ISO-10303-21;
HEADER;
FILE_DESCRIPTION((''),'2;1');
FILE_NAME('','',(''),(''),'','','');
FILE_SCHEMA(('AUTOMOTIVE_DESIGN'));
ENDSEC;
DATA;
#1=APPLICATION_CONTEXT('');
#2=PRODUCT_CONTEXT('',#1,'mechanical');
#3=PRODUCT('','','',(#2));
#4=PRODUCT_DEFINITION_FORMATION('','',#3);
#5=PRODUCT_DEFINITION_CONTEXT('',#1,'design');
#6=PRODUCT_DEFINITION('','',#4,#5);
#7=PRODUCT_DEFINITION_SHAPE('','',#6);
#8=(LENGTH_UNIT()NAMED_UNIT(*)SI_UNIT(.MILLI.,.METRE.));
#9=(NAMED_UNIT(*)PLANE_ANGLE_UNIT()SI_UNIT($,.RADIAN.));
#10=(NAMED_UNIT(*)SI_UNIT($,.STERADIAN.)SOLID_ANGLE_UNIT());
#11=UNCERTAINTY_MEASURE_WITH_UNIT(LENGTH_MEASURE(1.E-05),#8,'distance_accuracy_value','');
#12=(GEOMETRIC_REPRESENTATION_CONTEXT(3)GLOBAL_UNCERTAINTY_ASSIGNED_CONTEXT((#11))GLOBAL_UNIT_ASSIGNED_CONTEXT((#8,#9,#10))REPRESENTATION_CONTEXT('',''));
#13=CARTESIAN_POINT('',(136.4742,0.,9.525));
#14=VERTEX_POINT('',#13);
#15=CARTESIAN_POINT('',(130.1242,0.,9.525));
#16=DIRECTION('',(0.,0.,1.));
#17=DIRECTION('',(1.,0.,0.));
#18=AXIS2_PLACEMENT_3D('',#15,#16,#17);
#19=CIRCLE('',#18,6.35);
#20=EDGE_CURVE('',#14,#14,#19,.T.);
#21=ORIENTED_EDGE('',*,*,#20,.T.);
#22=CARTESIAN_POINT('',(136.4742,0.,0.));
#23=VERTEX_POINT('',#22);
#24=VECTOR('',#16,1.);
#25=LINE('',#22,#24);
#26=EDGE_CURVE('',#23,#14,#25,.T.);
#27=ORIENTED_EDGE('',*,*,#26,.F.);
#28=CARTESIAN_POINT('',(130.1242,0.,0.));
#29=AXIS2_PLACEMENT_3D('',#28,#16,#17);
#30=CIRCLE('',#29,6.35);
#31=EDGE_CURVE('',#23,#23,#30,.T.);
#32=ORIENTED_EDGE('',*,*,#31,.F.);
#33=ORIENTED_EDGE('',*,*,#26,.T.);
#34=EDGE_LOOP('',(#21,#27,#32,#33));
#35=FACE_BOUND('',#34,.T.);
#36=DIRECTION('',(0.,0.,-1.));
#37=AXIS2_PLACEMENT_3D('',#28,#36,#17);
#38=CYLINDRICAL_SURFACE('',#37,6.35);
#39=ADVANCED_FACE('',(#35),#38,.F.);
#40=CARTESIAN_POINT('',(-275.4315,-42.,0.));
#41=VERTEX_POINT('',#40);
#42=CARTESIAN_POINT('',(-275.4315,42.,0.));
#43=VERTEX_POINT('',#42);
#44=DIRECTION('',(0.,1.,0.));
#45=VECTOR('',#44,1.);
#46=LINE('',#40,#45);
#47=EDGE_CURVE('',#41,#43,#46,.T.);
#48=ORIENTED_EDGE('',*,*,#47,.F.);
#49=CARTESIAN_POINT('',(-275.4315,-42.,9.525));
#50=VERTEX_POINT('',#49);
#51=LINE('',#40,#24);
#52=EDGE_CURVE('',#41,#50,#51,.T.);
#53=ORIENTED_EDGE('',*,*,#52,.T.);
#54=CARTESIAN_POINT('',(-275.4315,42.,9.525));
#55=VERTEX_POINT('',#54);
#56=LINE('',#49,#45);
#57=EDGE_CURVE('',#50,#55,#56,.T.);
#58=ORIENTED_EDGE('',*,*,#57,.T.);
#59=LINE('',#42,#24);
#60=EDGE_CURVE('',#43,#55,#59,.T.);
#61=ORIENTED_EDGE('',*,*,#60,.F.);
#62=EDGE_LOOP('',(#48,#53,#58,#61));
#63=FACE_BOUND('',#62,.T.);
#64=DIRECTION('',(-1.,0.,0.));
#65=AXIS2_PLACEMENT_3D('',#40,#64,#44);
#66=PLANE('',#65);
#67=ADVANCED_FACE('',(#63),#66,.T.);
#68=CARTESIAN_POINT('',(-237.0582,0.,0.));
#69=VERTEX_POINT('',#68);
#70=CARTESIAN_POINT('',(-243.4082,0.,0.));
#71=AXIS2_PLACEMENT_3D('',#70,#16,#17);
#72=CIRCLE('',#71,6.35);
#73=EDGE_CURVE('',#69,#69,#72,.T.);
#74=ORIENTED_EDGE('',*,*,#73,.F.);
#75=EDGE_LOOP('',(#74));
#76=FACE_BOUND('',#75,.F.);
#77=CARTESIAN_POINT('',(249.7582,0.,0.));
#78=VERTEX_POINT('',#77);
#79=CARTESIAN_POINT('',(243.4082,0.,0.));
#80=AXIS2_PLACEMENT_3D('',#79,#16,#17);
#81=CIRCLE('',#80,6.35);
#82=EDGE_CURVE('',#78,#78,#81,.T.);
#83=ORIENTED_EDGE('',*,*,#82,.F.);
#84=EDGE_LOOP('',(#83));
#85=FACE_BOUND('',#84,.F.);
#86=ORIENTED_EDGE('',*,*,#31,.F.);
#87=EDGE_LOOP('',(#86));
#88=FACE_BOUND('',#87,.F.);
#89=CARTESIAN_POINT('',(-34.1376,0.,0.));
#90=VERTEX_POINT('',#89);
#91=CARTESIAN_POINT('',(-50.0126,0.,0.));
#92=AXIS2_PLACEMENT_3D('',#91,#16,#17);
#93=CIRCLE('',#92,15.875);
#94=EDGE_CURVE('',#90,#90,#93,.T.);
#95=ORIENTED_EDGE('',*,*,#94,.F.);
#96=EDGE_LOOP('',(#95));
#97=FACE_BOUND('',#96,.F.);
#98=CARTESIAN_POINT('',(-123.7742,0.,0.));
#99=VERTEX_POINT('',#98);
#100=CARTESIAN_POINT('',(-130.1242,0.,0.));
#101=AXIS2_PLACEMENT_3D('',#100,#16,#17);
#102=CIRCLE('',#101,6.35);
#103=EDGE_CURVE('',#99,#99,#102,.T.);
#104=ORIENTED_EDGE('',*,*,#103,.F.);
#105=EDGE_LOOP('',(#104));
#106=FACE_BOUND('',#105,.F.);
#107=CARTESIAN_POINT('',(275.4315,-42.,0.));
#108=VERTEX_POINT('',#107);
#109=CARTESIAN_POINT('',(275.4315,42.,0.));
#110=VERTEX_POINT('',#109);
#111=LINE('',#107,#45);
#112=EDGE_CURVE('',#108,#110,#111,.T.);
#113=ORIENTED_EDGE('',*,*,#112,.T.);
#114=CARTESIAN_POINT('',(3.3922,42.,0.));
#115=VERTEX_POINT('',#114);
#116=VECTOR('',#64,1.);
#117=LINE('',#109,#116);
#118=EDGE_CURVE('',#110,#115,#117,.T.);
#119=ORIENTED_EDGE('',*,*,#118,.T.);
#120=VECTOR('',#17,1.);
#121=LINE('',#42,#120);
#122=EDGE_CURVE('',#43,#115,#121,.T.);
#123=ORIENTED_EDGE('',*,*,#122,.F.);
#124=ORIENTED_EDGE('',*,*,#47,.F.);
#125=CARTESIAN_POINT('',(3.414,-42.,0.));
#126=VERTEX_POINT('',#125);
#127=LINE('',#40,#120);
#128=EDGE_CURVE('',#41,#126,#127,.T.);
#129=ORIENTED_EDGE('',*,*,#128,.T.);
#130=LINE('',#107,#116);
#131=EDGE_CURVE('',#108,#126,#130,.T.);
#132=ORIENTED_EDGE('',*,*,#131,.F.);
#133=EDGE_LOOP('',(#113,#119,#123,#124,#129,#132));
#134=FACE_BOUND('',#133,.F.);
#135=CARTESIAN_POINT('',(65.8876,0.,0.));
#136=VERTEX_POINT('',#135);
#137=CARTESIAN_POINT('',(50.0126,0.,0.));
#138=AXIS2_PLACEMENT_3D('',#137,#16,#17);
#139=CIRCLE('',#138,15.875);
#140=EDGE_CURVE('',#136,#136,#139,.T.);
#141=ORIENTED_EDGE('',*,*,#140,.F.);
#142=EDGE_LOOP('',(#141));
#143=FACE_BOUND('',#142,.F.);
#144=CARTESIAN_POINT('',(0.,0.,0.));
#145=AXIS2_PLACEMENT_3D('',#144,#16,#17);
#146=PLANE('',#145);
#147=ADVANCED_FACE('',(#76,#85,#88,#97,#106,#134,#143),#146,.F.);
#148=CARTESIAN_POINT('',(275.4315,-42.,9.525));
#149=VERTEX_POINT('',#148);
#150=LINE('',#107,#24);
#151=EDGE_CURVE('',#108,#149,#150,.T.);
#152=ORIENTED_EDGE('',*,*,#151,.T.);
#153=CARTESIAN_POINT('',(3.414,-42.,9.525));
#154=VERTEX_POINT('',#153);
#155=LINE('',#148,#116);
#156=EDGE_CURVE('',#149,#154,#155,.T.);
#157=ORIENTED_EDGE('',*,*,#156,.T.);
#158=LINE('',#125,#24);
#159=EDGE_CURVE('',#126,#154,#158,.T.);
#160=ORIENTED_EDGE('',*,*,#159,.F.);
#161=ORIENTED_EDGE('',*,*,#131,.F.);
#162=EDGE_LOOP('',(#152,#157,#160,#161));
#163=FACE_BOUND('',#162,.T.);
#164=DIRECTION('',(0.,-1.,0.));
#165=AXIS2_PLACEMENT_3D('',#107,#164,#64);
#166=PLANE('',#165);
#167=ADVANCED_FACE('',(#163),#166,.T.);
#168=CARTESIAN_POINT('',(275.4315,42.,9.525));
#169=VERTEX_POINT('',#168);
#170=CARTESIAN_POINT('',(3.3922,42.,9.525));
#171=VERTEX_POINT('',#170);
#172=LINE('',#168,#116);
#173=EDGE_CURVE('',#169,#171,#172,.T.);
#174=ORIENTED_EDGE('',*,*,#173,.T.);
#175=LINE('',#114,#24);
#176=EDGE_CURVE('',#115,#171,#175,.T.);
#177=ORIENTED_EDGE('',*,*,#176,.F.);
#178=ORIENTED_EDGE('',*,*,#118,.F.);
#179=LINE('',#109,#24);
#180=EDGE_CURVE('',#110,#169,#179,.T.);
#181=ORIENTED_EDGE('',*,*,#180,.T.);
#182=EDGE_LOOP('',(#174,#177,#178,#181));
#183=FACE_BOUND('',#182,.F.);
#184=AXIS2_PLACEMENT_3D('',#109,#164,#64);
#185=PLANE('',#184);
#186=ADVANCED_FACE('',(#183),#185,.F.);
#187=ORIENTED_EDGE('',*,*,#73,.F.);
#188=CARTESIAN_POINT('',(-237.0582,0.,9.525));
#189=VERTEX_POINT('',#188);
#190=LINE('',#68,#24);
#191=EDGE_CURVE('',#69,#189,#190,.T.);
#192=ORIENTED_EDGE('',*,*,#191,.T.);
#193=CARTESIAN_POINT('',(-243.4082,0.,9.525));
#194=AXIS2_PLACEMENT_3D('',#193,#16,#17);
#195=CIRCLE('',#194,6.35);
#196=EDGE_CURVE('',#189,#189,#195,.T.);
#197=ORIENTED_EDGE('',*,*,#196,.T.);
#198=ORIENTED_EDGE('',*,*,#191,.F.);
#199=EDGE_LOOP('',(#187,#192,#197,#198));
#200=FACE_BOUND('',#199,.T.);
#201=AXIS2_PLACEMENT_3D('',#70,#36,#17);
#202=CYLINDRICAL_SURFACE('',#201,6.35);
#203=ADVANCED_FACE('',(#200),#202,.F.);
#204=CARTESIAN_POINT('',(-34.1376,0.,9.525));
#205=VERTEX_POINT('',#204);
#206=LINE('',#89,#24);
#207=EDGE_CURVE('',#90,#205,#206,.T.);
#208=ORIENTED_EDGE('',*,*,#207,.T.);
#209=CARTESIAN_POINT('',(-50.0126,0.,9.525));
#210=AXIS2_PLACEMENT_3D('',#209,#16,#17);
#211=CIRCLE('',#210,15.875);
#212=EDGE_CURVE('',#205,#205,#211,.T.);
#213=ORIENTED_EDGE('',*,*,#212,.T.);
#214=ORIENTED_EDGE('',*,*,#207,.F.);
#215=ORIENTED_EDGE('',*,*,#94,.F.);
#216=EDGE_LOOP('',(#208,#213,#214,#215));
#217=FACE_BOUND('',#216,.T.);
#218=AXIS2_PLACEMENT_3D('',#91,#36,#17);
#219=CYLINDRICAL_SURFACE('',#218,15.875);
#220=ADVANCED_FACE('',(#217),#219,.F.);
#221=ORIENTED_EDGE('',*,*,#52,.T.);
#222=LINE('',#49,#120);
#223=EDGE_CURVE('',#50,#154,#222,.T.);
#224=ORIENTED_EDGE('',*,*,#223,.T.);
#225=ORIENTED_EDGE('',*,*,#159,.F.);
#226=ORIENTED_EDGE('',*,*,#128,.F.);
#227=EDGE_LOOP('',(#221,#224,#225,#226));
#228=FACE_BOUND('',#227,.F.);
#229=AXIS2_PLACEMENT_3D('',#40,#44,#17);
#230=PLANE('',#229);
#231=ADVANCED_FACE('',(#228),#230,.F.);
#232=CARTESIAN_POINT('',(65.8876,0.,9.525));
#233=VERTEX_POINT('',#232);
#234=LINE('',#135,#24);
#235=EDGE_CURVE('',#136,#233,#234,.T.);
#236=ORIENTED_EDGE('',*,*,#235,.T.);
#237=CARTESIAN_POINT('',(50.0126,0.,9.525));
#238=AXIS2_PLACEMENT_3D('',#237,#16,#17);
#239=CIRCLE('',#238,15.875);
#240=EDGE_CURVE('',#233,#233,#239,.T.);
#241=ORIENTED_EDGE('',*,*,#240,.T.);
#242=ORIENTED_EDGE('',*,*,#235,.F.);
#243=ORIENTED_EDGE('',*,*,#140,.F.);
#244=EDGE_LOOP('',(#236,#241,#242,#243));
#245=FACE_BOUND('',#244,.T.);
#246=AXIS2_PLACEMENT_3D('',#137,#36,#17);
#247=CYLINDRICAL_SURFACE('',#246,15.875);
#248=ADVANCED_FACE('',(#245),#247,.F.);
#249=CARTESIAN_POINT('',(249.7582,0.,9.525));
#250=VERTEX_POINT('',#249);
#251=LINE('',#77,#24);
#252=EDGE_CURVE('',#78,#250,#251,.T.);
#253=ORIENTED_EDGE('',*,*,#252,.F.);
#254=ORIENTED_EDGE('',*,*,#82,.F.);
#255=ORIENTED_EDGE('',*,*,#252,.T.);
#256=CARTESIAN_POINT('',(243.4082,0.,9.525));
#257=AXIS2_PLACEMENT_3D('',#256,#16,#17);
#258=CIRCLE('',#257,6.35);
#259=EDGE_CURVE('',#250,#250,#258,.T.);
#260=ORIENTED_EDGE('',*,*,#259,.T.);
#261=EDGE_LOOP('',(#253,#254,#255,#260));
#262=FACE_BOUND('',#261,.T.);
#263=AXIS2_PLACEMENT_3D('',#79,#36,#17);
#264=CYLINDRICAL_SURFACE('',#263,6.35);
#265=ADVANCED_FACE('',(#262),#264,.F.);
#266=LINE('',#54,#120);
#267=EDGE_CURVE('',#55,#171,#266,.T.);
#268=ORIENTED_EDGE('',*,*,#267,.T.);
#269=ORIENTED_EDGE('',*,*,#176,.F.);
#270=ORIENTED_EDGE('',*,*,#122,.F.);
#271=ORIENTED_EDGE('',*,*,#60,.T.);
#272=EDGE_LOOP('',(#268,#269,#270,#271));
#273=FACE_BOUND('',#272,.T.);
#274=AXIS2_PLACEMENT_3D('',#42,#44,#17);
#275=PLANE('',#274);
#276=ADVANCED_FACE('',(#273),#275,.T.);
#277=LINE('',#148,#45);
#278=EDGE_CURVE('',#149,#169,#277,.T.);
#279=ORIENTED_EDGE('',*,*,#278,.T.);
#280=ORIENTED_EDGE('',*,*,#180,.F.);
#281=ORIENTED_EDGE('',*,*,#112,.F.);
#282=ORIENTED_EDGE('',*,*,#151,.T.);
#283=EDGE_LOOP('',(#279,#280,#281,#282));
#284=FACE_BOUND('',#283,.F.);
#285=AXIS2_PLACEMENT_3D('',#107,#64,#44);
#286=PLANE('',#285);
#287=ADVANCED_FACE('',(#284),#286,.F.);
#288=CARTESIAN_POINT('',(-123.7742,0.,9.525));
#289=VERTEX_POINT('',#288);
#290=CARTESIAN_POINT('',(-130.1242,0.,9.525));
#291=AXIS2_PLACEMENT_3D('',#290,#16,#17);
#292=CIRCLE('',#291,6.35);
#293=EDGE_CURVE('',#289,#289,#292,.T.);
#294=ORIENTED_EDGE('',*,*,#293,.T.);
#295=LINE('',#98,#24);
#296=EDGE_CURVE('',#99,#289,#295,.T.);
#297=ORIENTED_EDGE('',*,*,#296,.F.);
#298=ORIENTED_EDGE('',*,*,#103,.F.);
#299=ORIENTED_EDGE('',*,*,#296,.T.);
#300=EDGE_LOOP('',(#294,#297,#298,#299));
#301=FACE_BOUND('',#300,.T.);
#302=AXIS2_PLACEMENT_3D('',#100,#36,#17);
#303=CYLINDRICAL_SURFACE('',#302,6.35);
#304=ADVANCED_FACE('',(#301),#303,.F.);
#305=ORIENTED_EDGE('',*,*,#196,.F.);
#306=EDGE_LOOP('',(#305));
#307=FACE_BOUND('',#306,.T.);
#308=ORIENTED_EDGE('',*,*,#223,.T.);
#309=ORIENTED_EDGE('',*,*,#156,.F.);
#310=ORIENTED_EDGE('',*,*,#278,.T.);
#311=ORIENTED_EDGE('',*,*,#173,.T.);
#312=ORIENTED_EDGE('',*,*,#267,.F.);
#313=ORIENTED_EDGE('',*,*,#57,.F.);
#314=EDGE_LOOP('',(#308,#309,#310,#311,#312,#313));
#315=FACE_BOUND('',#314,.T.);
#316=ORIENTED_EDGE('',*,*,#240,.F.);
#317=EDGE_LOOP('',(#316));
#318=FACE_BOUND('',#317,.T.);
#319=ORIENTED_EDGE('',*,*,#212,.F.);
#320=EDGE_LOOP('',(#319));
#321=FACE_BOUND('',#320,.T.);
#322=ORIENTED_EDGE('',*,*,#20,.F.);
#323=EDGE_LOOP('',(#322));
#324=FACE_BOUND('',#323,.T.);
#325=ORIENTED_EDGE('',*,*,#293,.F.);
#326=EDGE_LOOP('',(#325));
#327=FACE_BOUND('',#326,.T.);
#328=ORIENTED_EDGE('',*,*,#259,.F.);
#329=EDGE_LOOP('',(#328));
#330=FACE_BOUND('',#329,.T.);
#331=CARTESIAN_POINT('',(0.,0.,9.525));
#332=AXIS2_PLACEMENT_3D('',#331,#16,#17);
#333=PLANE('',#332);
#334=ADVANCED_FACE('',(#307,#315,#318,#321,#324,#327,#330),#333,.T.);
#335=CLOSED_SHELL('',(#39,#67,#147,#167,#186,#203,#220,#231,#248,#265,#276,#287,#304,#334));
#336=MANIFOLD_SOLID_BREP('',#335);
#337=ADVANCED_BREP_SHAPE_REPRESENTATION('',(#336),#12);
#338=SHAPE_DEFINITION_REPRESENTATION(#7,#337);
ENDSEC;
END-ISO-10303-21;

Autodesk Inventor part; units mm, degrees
ref_plane "YZ Plane" through (0, 0, 0) normal (1, 0, 0) x (0, 1, 0)
ref_plane "XZ Plane" through (0, 0, 0) normal (0, 1, 0) x (-1, 0, 0)
ref_plane "XY Plane" through (0, 0, 0) normal (0, 0, 1) x (1, 0, 0)
sketch "Sketch1" plane through (0, 0, 0) normal (0, 0, 1) x (1, 0, 0)
  line L0 (-275.4315, -42) -> (-275.4315, 42)
  line L1 (-275.4315, 42) -> (3.3922, 42)
  line L2 (-275.4315, -42) -> (3.414, -42)
  circle A0 centre (243.4082, 0) radius 6.35
  circle A1 centre (50.0126, 0) radius 15.875
  circle A2 centre (130.1242, 0) radius 6.35
  line L3 (275.4315, -42) -> (3.414, -42)
  line L4 (275.4315, 42) -> (3.3922, 42)
  line L5 (275.4315, -42) -> (275.4315, 42)
  circle A3 centre (-50.0126, 0) radius 15.875
  circle A4 centre (-130.1242, 0) radius 6.35
  circle A5 centre (-243.4082, 0) radius 6.35
  point P0 (0.2172, 42)
  point P1 (0.2172, -42)
  dimension "d12" = 550.863
  dimension "d13" = 12.7
  dimension "d14" = 12.7
  dimension "d33" = 84
  dimension "d34" = 113.284
  dimension "d37" = 113.284
  dimension "d40" = 32.0233
  dimension "d44" = 12.7
  dimension "d45" = 12.7
  dimension "d48" = 32.0233
  dimension "d49" = 80.1116
  dimension "d50" = 100.0252
extrude "Extrusion3" add sketch "Sketch1" along normal blind 9.525
equation "\"BendRadius\" = Thickness"
equation "\"BendReliefWidth\" = Thickness"
equation "\"BendReliefDepth\" = 0.5 * Thickness"
equation "\"CornerReliefSize\" = 4 * Thickness"
equation "\"MinimumRemnant\" = 2 * Thickness"
equation "\"TransitionRadius\" = BendRadius"
equation "\"JacobiRadiusSize\" = BendRadius"
equation "\"GapSize\" = Thickness"
equation "\"Thickness\" = 0.5"
properties part number "Drivetrainsideoutside"
